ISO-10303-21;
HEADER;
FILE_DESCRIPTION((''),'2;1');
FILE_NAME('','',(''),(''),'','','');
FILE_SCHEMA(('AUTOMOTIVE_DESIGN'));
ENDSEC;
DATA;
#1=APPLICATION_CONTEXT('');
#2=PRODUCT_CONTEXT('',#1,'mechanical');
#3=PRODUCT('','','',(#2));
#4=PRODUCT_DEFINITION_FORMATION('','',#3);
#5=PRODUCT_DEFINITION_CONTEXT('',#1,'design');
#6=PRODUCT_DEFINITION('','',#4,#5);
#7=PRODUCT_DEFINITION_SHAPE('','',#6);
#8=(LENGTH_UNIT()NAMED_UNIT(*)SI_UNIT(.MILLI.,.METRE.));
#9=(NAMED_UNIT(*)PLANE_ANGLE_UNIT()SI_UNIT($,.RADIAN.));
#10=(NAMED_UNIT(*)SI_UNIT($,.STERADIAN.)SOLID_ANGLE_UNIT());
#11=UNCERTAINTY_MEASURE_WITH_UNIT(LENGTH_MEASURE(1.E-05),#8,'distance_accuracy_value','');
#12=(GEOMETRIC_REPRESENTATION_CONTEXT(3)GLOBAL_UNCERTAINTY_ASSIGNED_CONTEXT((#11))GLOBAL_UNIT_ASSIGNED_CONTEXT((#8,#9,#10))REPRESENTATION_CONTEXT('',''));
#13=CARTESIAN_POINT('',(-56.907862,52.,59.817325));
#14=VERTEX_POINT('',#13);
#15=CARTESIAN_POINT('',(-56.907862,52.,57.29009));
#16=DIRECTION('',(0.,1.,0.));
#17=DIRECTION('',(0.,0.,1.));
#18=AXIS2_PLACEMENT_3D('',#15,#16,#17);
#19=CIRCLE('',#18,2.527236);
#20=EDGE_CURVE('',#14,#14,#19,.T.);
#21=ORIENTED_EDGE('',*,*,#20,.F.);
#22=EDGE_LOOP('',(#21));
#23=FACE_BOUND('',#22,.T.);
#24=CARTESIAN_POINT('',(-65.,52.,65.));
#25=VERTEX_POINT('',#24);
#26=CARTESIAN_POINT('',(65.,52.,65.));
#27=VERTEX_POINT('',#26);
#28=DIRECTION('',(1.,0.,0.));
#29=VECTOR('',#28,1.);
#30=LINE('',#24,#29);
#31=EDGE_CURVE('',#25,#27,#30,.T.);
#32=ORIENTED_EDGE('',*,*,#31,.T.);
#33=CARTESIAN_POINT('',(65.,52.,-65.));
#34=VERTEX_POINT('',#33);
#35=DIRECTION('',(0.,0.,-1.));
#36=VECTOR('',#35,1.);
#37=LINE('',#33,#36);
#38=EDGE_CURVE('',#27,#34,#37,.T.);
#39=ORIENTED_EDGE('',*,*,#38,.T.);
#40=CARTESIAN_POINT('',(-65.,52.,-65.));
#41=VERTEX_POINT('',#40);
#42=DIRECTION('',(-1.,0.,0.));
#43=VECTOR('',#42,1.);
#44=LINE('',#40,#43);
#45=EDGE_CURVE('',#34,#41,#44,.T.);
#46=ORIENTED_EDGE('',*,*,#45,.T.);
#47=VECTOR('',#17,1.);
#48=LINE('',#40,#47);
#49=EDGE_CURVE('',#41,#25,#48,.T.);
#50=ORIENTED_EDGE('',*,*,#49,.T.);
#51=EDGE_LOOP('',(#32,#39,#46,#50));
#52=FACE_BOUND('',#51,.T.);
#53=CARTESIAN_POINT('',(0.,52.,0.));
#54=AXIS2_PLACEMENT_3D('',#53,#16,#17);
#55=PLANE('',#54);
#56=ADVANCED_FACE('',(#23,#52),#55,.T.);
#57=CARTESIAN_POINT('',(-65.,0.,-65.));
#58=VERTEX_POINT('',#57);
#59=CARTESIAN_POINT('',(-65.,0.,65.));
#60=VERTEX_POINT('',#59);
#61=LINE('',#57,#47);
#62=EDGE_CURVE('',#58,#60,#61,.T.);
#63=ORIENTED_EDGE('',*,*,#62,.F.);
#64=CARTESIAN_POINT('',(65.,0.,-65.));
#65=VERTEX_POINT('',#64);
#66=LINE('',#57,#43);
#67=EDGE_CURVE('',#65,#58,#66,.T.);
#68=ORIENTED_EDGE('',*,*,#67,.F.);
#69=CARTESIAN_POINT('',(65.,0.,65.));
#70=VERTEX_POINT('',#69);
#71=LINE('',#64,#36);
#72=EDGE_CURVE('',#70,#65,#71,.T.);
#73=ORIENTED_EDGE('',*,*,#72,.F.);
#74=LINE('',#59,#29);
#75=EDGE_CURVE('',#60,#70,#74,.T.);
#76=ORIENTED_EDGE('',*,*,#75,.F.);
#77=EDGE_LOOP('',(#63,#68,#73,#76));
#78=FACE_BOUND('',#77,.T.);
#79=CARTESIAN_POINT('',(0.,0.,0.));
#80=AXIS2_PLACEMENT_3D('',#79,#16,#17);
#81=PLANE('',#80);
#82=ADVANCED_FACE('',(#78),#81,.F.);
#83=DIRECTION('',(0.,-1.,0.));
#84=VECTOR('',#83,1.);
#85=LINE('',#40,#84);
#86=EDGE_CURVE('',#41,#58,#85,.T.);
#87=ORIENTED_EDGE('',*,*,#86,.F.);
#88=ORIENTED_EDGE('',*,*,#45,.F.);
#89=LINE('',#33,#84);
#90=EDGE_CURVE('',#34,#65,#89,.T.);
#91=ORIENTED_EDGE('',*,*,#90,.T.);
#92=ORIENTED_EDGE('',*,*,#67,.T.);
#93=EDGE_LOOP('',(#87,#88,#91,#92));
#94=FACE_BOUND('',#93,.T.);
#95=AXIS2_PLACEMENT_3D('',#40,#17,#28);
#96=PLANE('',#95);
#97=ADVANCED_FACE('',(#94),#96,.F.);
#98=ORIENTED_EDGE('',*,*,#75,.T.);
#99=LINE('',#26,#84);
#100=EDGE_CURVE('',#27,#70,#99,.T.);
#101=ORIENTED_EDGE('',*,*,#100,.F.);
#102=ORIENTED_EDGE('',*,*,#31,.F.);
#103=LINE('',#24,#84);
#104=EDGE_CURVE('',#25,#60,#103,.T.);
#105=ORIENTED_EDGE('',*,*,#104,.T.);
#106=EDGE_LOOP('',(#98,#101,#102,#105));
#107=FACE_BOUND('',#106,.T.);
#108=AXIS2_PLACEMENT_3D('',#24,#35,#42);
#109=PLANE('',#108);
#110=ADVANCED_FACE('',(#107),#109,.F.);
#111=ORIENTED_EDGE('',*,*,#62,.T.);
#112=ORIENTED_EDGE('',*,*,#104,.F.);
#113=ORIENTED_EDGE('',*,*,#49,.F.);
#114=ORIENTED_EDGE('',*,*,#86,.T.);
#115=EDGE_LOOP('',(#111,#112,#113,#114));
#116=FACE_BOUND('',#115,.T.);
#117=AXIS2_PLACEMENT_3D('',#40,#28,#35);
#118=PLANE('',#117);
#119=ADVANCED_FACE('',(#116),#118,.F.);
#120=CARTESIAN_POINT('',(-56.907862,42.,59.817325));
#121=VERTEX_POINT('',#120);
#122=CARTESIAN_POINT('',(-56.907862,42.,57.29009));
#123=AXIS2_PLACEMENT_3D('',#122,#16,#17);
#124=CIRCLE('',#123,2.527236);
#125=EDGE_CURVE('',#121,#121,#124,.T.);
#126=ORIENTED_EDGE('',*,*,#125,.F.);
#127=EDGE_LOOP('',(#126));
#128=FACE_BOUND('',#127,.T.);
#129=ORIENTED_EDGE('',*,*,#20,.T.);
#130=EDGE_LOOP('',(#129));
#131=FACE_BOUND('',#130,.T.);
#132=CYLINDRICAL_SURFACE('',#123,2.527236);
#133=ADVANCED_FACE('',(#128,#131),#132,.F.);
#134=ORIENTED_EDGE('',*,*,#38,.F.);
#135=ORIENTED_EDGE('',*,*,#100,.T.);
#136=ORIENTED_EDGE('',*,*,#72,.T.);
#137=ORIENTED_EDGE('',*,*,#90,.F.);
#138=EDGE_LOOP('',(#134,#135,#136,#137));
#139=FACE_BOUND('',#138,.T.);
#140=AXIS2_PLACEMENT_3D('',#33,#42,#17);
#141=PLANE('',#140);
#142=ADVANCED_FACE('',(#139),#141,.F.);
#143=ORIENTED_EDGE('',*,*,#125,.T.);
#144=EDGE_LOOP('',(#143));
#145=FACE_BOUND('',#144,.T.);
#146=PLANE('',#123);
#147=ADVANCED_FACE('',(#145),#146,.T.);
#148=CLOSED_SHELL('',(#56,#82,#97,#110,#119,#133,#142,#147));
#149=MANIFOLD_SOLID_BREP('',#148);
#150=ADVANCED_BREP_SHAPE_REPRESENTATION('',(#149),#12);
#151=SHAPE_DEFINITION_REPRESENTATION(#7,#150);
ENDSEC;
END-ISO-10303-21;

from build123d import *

# Parameters (mm, degrees)
SKETCH1_W           = 130
SKETCH1_H           = 130
BOSS_EXTRUDE1_DEPTH = 52
SKETCH2_R           = 2.527235636
CUT_EXTRUDE1_DEPTH  = 10


with BuildPart() as part:
    # Sketch1 → Boss-Extrude1 (new body)
    with BuildSketch(Plane(origin=(0, 0, 0), x_dir=(1, 0, 0), z_dir=(0, 1, 0))):
        Rectangle(SKETCH1_W, SKETCH1_H)
    extrude(amount=BOSS_EXTRUDE1_DEPTH)

    # Sketch2 → Cut-Extrude1 (cut)
    with BuildSketch(Plane(origin=(0, 52, 0), x_dir=(1, 0, 0), z_dir=(0, 1, 0))):
        with Locations(Location((-56.907861824, -57.290089516, 0), (0, 0, 270))):
            Circle(SKETCH2_R)
    extrude(amount=-CUT_EXTRUDE1_DEPTH, mode=Mode.SUBTRACT)


solid = part.part
